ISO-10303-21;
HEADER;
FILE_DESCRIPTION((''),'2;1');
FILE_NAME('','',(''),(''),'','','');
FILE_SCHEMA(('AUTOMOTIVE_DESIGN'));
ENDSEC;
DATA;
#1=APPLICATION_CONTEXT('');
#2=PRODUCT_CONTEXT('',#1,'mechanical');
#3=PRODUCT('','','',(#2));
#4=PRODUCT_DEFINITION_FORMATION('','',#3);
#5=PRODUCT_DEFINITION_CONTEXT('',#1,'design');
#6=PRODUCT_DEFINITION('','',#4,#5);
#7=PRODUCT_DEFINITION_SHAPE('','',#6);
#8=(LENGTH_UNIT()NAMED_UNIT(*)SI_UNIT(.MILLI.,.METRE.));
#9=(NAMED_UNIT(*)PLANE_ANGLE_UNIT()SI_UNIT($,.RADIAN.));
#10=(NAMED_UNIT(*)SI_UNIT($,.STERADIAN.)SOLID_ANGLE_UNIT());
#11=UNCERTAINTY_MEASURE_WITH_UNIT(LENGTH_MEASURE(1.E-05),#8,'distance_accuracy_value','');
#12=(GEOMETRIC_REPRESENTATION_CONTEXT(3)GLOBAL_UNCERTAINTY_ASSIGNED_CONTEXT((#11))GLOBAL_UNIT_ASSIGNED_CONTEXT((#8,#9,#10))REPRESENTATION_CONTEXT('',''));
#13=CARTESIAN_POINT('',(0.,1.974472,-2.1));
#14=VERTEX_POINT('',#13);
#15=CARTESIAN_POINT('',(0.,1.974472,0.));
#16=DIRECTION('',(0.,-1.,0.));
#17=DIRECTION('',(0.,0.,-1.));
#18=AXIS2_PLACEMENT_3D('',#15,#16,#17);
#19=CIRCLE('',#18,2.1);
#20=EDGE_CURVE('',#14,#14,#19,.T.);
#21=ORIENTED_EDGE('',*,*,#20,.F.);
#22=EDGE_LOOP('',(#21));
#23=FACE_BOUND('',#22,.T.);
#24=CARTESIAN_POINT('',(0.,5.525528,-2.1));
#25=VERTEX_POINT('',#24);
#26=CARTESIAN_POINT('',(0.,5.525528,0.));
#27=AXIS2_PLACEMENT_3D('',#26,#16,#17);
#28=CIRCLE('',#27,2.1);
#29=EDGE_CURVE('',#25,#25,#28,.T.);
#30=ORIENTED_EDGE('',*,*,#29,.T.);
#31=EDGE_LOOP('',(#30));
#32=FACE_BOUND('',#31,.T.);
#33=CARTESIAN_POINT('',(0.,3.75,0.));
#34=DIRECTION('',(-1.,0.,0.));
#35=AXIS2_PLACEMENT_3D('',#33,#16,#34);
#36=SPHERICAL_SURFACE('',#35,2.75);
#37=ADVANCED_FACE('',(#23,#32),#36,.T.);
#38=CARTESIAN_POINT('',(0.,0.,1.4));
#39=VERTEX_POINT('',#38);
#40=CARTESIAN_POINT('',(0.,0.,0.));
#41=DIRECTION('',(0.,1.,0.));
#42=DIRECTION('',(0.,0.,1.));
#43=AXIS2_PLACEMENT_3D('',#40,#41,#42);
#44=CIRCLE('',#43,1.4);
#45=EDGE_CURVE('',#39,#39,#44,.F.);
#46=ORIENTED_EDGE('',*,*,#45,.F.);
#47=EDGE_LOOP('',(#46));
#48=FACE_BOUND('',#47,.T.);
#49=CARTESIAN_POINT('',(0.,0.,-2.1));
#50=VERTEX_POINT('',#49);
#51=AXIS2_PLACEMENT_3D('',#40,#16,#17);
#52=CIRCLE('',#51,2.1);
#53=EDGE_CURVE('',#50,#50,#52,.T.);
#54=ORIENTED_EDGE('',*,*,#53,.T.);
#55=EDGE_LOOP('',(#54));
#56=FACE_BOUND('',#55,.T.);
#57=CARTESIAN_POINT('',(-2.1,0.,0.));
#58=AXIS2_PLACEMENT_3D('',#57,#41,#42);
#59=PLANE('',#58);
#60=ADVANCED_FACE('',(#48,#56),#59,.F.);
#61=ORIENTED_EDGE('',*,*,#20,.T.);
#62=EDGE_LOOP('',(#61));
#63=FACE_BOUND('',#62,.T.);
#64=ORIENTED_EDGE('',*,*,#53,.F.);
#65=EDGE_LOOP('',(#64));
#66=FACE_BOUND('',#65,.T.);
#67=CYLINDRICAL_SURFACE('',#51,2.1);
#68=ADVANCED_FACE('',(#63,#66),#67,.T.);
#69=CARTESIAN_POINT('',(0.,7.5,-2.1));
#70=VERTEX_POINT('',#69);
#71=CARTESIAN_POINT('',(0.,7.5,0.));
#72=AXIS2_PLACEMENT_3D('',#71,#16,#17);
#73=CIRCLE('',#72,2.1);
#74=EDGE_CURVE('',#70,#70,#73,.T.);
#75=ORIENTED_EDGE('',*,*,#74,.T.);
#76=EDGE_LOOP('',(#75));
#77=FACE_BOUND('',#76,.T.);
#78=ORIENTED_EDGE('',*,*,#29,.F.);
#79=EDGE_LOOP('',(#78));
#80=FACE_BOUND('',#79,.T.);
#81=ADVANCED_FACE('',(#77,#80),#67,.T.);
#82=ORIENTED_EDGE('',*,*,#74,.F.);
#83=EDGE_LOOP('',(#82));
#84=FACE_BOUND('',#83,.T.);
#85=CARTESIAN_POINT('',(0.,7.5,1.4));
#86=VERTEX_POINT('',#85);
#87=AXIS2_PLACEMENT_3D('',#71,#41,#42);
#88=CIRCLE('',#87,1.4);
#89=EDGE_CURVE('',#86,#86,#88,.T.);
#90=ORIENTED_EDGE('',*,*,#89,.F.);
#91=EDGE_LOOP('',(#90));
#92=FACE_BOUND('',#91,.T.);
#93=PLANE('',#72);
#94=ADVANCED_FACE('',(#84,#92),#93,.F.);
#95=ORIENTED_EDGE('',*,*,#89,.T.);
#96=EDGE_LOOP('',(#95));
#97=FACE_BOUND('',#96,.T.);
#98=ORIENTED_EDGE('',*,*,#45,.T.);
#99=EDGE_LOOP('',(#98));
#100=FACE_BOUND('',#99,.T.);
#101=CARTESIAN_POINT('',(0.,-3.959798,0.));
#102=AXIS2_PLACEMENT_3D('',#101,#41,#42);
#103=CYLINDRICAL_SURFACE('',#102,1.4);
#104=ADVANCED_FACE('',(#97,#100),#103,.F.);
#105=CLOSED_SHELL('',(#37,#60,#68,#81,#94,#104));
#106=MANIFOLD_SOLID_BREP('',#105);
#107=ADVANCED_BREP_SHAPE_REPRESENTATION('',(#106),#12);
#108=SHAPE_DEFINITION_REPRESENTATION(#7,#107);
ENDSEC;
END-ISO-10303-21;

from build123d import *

# Parameters (mm, degrees)
SKETCH2_R          = 1.4
CUT_EXTRUDE1_DEPTH = 7.5


with BuildPart() as part:
    # Sketch1 → Revolve1 (revolve)
    with BuildSketch(Plane.XY):
        with BuildLine():
            Line((0, 0), (0, 7.5))
            Line((0, 7.5), (-2.1, 7.5))
            Line((-2.1, 7.5), (-2.1, 5.52552809))
            ThreePointArc((-2.1, 5.52552809), (-2.75, 3.75), (-2.1, 1.97447191))
            Line((-2.1, 1.97447191), (-2.1, 0))
            Line((-2.1, 0), (0, 0))
        make_face()
    revolve(axis=Axis((0, 0, 0), (0, 1, 0)))

    # Sketch2 → Cut-Extrude1 (cut)
    with BuildSketch(Plane(origin=(0, 7.5, 0), x_dir=(1, 0, 0), z_dir=(0, 1, 0))):
        Circle(SKETCH2_R)
    extrude(amount=-CUT_EXTRUDE1_DEPTH, mode=Mode.SUBTRACT)


solid = part.part
